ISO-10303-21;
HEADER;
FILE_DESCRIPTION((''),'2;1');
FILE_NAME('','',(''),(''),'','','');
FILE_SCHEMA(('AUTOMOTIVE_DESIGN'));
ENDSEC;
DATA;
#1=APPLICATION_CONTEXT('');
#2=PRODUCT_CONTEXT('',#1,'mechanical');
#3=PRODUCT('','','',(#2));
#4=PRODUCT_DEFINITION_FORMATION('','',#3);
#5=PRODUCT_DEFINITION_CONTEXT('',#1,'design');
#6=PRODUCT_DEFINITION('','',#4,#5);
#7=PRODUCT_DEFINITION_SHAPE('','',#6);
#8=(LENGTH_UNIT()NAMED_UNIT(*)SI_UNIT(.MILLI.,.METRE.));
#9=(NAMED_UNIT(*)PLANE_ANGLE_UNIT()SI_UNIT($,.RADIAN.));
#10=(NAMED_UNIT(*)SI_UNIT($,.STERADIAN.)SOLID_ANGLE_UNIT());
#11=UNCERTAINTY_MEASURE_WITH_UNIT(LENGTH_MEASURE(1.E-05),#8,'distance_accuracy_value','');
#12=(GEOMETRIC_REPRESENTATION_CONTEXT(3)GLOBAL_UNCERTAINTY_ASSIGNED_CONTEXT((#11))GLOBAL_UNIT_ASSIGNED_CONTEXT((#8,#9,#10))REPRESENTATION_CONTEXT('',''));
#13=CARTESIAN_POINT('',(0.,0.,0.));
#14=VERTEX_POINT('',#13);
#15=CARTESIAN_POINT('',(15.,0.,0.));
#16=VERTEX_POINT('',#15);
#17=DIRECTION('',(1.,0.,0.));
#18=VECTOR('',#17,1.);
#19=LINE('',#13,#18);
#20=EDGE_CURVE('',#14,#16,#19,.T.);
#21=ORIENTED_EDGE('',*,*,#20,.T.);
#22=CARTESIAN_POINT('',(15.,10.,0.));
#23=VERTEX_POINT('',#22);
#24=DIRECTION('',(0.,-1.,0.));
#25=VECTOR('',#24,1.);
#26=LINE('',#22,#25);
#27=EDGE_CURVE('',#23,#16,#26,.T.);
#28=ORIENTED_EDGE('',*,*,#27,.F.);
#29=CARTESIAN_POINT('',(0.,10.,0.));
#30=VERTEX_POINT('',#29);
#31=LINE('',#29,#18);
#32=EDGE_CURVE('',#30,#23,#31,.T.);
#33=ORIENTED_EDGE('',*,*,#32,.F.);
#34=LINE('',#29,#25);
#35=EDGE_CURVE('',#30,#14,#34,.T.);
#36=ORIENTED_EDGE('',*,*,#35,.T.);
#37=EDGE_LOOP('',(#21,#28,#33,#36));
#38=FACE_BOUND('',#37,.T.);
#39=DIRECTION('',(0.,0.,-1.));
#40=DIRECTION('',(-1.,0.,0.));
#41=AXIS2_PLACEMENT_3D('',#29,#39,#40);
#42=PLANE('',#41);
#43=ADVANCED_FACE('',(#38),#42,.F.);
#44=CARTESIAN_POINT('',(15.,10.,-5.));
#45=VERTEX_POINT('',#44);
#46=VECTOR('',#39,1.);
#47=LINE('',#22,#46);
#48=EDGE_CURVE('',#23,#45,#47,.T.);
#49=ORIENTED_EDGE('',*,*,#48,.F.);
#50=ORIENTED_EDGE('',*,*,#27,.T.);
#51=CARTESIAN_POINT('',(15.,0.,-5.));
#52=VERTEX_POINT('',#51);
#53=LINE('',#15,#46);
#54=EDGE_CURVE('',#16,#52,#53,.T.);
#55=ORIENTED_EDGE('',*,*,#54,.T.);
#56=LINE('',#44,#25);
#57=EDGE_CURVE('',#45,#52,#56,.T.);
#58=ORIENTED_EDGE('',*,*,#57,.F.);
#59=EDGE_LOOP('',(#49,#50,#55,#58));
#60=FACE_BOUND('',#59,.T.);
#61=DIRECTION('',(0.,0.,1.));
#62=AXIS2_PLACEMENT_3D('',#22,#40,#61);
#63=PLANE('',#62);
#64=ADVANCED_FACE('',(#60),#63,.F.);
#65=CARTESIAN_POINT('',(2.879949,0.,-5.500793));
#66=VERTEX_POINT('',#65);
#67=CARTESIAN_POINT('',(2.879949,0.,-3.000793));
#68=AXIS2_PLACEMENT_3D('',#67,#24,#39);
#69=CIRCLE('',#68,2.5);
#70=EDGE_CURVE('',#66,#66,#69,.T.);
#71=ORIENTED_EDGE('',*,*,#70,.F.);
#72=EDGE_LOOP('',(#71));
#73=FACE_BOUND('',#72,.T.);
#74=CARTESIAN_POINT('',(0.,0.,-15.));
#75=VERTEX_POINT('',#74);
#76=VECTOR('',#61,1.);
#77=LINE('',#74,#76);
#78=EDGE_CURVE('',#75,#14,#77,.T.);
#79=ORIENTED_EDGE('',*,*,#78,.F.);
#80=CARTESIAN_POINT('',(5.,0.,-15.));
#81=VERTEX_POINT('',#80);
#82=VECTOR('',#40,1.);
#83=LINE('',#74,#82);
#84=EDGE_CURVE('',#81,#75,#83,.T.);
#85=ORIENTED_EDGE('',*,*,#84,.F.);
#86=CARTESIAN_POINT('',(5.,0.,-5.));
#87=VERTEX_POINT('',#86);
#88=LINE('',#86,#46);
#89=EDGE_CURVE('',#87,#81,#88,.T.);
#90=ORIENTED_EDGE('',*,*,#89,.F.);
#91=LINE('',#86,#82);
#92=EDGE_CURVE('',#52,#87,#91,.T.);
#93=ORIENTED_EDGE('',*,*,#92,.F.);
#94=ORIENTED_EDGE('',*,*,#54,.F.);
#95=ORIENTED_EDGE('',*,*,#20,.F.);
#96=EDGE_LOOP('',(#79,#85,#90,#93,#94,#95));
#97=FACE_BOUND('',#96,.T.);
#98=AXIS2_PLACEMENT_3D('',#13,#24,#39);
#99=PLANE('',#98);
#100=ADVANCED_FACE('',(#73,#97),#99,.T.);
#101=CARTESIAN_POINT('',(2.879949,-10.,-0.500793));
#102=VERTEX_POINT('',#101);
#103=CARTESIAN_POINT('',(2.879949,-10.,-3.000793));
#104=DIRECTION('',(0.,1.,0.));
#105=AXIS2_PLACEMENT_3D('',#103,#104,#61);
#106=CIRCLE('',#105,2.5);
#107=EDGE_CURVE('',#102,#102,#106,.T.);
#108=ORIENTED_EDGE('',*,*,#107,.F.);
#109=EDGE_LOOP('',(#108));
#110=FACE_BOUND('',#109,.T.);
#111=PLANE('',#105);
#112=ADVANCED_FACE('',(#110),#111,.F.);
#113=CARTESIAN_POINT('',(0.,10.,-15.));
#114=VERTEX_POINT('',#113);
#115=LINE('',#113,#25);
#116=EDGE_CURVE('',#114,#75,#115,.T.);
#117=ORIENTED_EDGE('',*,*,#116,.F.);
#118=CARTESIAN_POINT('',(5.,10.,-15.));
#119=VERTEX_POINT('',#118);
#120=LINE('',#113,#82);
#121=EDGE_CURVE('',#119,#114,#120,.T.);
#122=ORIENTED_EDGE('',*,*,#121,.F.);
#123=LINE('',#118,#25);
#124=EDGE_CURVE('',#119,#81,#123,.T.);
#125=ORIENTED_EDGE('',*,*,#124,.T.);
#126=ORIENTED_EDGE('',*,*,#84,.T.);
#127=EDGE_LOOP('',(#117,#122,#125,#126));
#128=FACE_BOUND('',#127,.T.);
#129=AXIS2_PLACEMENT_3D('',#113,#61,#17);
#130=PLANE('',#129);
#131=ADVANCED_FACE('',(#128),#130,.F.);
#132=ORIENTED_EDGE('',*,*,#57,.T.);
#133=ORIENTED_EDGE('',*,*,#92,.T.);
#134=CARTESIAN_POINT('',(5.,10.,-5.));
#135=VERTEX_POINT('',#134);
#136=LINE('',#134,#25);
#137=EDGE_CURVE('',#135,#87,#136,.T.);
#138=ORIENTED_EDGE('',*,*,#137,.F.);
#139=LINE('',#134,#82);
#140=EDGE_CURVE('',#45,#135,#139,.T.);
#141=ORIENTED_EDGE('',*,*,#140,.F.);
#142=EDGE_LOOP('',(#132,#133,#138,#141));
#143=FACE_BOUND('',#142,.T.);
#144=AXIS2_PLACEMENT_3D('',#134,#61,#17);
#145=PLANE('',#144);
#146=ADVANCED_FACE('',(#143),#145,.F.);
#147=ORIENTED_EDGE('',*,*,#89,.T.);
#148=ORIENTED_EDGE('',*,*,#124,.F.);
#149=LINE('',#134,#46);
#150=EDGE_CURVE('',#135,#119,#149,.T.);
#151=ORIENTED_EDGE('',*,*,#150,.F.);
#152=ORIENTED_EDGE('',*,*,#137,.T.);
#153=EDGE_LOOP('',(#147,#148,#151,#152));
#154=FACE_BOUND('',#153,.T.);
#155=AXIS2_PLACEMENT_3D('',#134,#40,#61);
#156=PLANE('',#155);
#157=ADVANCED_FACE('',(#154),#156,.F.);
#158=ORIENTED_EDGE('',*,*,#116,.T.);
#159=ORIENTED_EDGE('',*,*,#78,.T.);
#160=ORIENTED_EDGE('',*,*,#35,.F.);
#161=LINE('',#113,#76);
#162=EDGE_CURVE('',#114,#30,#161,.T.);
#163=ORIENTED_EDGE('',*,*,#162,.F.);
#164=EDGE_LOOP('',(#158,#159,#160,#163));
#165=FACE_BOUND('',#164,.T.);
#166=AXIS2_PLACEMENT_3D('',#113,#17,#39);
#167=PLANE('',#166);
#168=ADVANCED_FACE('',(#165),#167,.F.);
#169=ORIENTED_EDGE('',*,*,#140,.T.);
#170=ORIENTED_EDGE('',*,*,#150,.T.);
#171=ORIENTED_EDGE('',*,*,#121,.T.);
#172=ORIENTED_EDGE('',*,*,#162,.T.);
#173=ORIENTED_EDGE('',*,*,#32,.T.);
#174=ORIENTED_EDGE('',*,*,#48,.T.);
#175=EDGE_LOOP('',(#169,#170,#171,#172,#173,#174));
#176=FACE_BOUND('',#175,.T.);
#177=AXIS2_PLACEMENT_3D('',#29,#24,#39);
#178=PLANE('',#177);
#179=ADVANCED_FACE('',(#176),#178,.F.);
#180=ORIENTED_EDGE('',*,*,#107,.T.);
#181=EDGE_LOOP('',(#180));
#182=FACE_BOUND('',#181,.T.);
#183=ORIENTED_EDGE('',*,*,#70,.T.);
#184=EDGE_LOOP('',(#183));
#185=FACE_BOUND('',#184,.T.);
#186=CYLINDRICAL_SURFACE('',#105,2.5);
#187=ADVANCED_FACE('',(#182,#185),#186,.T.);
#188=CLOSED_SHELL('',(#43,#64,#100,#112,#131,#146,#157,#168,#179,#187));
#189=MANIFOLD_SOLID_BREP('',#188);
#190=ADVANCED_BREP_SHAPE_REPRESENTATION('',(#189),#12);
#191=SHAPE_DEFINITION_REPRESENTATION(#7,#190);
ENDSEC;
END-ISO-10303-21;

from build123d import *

# Parameters (mm, degrees)
SKETCH1_R           = 2.5
BOSS_EXTRUDE1_DEPTH = 10
BOSS_EXTRUDE2_START = -20
SKETCH2_R           = 2.5
BOSS_EXTRUDE2_DEPTH = 20


with BuildPart() as part:
    # Sketch1 → Boss-Extrude1 (new body)
    with BuildSketch(Plane(origin=(0, 0, 0), x_dir=(1, 0, 0), z_dir=(0, 1, 0))):
        Polygon((0, 15), (0, 0), (15, 0), (15, 5), (5, 5), (5, 15), align=None)
        with Locations(Location((2.879948547, 3.000793191, 0), (0, 0, 270))):
            Circle(SKETCH1_R, mode=Mode.SUBTRACT)
    extrude(amount=BOSS_EXTRUDE1_DEPTH)

    # Sketch2 → Boss-Extrude2 (add)
    with BuildSketch(Plane(origin=(0, 10, 0), x_dir=(1, 0, 0), z_dir=(0, 1, 0)).offset(BOSS_EXTRUDE2_START)):
        with Locations(Location((2.879948547, 3.000793191, 0), (0, 0, 270))):
            Circle(SKETCH2_R)
    extrude(amount=BOSS_EXTRUDE2_DEPTH)


solid = part.part
